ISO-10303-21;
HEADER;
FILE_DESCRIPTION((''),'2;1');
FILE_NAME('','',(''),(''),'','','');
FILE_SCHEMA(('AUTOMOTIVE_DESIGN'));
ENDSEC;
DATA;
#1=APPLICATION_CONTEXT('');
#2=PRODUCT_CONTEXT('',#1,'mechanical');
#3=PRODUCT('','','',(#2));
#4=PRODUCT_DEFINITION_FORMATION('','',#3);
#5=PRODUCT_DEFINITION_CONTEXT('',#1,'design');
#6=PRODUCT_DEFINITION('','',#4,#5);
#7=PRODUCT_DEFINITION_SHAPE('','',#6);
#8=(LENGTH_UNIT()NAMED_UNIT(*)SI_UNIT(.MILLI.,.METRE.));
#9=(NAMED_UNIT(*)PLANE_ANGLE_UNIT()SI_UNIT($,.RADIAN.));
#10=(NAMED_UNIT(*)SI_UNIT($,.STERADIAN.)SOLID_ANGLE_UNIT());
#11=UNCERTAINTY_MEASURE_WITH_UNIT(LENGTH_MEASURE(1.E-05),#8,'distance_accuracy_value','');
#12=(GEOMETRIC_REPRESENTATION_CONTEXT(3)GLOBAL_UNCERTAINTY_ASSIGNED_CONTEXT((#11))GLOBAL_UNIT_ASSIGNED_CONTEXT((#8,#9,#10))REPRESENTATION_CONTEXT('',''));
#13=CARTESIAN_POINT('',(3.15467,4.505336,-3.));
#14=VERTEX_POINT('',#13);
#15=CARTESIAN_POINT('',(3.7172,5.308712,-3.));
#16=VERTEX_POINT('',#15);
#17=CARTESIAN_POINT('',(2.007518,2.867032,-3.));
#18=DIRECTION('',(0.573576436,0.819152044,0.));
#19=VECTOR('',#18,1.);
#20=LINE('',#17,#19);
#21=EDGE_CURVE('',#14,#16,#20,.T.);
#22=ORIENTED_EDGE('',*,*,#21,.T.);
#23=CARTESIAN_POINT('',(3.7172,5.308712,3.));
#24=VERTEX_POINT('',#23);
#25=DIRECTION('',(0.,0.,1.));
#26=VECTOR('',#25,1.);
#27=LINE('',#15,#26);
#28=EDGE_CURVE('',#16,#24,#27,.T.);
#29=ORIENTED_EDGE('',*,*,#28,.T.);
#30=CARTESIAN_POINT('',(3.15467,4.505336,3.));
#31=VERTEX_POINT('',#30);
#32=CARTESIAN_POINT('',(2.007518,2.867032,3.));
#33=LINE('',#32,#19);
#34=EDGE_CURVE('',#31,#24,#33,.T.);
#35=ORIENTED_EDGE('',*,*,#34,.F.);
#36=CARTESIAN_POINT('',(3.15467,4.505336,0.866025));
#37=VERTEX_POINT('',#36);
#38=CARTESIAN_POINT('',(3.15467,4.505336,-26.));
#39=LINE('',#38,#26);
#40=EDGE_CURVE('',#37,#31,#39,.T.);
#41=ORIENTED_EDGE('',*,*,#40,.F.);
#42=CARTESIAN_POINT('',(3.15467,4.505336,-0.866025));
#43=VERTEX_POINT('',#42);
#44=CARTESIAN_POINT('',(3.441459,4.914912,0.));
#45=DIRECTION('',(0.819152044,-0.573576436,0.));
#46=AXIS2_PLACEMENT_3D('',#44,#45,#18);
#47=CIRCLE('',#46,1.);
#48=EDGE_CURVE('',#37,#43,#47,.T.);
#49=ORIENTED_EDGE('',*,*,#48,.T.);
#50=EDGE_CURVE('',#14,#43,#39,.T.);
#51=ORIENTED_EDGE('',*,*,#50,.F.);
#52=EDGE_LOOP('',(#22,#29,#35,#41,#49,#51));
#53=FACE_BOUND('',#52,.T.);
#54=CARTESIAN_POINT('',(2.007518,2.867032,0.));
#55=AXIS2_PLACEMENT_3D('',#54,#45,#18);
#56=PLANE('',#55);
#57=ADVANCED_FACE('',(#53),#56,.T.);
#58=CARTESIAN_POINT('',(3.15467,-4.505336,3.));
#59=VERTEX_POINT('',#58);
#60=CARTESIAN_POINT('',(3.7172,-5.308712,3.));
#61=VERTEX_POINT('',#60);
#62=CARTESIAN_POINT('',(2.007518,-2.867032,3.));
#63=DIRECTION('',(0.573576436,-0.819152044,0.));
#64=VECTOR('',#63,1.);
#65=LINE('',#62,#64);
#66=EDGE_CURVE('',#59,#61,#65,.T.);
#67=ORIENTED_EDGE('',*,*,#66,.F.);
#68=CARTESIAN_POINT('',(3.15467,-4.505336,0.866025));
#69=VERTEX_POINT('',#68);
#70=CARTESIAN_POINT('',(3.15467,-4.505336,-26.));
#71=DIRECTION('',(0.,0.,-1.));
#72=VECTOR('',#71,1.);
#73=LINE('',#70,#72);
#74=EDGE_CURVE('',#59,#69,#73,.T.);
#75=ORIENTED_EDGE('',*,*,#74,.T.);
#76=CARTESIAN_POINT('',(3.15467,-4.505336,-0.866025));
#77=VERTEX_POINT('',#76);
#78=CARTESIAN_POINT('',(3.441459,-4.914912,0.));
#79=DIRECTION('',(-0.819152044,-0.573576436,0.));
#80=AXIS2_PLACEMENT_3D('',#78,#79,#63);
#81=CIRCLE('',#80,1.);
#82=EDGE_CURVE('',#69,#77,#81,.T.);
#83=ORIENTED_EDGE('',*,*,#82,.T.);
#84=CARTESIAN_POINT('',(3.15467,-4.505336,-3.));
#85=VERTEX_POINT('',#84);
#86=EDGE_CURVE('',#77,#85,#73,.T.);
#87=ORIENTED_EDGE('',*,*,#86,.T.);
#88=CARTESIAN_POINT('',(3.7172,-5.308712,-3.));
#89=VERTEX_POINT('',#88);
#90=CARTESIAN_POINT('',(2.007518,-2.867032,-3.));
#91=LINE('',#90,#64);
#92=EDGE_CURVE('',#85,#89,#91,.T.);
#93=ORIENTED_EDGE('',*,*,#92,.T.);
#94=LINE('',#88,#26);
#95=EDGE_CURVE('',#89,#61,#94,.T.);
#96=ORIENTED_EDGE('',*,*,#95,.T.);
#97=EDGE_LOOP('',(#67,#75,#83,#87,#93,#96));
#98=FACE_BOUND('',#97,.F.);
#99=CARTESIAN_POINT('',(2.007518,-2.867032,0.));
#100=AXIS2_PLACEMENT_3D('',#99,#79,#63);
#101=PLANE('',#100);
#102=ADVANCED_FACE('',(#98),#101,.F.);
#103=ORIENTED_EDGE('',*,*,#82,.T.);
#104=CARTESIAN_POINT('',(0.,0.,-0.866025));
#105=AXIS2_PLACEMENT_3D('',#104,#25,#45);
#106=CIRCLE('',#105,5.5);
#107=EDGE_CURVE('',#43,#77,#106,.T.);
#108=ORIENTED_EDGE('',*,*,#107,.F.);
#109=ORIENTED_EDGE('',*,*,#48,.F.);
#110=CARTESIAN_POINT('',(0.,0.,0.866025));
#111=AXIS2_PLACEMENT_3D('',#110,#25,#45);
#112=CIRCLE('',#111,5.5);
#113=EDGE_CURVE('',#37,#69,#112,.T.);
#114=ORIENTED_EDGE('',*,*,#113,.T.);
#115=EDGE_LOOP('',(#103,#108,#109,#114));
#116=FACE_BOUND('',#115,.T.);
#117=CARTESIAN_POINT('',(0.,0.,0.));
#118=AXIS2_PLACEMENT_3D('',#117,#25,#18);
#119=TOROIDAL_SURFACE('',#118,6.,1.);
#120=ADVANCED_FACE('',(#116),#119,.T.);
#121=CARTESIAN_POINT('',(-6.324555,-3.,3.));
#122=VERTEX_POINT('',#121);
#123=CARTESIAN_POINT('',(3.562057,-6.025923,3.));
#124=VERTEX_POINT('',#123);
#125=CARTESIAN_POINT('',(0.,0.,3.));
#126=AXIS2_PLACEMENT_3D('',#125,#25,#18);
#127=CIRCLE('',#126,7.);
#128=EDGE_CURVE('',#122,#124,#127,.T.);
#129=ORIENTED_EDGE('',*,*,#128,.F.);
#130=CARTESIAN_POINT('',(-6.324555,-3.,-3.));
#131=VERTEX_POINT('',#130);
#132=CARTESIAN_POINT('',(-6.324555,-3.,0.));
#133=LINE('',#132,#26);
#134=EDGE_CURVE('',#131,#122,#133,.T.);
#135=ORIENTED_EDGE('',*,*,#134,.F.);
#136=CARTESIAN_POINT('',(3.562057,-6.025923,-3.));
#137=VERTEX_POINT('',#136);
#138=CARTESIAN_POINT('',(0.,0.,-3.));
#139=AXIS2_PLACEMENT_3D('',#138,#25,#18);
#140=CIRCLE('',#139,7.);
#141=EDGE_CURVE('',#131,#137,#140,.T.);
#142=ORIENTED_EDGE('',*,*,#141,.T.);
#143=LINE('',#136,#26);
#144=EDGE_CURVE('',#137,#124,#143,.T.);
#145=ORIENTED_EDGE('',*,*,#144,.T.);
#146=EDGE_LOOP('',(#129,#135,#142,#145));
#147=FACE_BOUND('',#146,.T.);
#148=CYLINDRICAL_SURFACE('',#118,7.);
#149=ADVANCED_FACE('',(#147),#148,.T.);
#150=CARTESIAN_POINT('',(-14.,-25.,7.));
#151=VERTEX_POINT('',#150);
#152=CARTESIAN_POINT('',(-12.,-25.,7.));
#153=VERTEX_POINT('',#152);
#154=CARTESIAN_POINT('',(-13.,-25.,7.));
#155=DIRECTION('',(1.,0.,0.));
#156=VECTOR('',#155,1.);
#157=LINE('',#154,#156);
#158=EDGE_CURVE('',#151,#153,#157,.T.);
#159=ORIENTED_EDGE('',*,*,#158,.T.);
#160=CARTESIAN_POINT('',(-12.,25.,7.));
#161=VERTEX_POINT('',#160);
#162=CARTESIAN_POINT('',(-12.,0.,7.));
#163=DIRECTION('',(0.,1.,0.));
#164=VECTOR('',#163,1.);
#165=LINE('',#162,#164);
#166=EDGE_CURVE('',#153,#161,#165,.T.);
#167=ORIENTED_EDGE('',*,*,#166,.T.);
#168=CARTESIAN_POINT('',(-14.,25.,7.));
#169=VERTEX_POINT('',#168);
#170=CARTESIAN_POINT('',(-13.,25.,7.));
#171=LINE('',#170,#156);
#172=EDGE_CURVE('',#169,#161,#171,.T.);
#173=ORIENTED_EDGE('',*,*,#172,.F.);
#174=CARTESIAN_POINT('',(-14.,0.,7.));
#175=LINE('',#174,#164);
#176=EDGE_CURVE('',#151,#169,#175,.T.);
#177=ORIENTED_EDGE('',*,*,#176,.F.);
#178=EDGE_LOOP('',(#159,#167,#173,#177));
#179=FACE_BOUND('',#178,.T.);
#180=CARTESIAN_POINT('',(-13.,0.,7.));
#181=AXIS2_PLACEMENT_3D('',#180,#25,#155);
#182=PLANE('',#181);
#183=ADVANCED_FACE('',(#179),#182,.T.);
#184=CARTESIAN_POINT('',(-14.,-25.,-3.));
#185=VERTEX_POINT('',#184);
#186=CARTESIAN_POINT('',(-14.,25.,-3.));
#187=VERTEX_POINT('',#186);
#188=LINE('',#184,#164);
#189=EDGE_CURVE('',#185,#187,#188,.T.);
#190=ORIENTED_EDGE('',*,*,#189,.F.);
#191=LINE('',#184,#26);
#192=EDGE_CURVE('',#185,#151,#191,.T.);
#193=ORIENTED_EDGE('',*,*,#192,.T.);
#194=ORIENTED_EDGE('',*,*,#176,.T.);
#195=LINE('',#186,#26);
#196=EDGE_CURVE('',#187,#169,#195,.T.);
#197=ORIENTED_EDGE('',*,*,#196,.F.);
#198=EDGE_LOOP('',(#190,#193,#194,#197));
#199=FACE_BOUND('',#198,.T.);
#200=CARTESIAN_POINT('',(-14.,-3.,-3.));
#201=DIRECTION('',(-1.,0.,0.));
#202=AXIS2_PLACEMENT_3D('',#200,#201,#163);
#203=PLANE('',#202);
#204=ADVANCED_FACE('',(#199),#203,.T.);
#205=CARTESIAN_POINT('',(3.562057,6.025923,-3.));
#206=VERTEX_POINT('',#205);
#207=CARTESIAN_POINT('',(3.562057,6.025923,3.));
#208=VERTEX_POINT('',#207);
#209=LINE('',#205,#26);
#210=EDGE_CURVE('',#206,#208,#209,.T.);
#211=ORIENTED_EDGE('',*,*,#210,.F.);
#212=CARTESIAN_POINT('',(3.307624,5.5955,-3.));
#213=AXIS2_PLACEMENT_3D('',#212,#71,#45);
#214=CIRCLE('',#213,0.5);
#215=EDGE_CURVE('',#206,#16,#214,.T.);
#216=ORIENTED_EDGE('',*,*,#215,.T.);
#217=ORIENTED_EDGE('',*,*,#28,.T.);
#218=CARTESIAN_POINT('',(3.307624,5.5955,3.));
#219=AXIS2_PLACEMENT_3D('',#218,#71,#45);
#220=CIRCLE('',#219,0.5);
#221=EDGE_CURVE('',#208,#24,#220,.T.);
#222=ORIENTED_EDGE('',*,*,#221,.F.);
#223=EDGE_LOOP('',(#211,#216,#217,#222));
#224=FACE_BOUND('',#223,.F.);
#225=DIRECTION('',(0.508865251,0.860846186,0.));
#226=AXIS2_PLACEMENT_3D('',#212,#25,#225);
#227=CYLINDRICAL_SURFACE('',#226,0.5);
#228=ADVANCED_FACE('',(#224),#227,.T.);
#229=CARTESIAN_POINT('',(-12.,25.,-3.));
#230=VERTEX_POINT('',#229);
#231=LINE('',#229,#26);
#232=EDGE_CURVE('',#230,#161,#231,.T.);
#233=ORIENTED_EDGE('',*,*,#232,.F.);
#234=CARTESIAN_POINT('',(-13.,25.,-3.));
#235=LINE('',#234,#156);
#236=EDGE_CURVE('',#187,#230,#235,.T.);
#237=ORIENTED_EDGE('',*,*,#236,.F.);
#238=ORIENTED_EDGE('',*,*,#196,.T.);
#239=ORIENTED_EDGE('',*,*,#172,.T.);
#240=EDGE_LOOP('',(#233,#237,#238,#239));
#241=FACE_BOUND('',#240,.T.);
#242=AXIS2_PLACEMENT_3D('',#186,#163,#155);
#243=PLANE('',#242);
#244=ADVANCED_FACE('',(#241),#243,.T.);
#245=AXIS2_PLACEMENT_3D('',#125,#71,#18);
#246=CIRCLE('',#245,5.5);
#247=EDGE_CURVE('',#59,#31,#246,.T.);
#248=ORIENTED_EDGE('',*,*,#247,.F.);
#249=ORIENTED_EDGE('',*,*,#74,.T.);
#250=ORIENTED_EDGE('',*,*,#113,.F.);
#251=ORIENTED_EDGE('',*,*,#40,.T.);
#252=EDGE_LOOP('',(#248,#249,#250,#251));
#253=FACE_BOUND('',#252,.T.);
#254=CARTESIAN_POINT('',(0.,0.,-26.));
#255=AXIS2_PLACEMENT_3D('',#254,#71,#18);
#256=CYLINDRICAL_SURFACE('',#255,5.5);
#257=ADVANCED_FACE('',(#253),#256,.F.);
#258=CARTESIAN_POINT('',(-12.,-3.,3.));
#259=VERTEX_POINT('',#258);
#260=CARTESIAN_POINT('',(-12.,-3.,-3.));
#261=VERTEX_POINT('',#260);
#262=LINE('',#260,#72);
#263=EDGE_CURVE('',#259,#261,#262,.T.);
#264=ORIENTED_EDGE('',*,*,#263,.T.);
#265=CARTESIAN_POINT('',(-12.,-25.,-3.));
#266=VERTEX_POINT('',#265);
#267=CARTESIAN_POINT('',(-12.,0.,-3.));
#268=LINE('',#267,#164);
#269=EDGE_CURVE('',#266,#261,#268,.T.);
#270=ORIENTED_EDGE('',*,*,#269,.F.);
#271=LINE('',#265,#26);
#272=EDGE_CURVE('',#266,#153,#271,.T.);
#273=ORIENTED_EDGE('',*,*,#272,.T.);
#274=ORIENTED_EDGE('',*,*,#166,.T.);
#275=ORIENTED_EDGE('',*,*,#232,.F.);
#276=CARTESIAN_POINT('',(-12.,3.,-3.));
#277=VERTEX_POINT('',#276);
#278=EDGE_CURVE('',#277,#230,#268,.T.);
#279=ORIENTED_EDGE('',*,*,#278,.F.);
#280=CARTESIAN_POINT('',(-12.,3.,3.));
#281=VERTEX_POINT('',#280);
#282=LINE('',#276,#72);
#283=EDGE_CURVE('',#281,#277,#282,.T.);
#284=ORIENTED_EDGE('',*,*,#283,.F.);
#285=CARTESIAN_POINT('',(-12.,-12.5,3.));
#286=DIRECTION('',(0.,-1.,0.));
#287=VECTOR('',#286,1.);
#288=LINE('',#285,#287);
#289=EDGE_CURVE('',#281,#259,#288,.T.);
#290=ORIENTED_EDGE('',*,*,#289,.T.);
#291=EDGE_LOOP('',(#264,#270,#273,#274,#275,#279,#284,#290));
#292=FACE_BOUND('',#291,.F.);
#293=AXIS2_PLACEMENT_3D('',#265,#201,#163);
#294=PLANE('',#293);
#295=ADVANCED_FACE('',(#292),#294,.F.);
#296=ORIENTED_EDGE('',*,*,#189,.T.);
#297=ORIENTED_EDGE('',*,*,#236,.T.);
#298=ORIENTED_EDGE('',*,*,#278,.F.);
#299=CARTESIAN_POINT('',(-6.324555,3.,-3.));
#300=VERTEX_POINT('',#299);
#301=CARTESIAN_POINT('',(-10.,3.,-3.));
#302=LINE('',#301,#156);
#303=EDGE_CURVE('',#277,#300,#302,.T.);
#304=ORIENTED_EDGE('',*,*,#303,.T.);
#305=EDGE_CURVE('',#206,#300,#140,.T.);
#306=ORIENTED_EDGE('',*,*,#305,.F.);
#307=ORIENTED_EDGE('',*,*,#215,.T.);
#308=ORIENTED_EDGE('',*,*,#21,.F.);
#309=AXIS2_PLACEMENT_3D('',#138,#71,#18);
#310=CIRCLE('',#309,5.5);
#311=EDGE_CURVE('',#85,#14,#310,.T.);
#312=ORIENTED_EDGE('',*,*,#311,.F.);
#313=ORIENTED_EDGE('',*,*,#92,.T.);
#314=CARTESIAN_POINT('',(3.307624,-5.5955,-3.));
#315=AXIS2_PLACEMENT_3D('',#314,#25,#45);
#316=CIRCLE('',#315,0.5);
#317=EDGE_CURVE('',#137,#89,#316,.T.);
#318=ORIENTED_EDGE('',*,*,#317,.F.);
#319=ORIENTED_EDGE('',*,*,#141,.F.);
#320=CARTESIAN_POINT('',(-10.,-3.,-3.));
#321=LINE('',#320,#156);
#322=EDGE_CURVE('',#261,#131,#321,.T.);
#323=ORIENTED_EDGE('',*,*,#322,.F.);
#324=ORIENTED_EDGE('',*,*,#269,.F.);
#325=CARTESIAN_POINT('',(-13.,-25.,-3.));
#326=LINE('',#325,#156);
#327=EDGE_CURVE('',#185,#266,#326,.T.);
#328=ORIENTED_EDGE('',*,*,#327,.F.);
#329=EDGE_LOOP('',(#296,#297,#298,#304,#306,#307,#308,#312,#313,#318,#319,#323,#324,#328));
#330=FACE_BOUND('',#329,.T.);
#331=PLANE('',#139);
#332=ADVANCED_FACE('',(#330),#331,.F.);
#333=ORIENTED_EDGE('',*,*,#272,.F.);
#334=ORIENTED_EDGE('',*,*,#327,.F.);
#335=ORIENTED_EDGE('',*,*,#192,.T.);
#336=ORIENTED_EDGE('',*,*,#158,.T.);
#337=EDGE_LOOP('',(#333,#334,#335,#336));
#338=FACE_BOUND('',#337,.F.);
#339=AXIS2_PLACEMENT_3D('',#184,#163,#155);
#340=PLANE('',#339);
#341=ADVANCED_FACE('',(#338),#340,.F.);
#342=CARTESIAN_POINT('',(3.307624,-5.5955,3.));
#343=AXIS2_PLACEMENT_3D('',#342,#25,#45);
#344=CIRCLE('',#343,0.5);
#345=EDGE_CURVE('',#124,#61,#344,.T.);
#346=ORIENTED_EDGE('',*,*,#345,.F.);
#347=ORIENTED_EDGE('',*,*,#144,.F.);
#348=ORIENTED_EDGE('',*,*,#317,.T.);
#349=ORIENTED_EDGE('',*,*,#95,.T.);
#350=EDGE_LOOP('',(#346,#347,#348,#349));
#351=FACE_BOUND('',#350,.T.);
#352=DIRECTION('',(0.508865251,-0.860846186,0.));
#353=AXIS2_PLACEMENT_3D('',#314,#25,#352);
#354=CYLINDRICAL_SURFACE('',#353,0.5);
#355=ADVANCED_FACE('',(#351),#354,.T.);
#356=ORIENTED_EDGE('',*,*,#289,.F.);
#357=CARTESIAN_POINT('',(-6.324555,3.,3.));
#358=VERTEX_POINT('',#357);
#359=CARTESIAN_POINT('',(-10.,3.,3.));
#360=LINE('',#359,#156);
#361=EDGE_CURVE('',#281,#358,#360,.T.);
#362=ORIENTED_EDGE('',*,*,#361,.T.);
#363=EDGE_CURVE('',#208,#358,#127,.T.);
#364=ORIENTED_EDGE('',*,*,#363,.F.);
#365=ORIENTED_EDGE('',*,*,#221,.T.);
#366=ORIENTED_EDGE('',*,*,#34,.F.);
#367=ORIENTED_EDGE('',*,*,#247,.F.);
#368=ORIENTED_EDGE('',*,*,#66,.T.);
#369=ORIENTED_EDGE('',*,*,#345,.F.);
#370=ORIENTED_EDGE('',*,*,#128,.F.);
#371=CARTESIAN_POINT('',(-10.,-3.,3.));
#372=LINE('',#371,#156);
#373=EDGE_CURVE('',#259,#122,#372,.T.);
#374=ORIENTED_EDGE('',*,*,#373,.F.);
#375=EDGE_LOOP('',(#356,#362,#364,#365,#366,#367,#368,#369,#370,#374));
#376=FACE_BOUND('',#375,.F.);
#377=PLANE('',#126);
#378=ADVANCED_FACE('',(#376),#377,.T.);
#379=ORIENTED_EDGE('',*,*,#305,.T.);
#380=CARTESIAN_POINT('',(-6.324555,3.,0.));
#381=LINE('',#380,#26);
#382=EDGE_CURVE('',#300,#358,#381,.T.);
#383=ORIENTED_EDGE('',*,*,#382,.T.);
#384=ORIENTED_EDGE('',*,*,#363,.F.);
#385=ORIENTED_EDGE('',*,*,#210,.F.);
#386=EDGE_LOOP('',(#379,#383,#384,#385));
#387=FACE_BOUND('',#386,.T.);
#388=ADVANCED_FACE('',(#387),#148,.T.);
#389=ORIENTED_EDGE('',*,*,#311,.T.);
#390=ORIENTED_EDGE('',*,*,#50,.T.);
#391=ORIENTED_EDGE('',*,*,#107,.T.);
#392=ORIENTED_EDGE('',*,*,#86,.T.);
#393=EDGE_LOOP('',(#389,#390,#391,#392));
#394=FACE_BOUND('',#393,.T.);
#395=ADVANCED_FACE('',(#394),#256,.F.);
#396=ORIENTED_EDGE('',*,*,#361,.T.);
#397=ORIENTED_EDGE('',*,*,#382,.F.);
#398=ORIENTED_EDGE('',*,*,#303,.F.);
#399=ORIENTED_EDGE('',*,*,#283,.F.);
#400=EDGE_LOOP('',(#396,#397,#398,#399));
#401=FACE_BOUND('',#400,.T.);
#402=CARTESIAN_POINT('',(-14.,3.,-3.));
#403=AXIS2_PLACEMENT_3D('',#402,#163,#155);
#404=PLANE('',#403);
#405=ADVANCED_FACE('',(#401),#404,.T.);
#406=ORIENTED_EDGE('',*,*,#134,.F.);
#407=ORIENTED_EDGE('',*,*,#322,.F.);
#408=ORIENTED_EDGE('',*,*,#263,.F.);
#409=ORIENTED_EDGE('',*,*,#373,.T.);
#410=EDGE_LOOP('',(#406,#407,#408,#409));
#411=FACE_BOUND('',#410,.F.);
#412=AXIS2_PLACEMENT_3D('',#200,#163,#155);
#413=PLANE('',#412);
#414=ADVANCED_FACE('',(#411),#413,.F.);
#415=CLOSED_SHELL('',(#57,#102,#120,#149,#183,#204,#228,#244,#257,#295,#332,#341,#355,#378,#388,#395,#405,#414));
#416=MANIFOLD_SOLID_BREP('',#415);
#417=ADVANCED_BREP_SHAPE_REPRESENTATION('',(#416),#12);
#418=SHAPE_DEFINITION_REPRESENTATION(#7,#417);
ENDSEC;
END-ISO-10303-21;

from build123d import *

# Parameters (mm, degrees)
TORUS_R                = 1
CYLINDER_R             = 5.5
CYLINDER_DEPTH         = 36
FILLET_R               = 4
CYLINDER002_W          = 7
CYLINDER002_H          = 6
CYLINDER002_ANGLE      = 250
FILLET001_R            = 0.5
CUT001_PLACEMENT_ANGLE = 55
BOX_W                  = 8
BOX_H                  = 6
BOX_DEPTH              = 6
BOX001_W               = 2
BOX001_H               = 50
BOX001_DEPTH           = 10


with BuildPart() as toro:
    # Torus → Torus (revolve)
    with BuildSketch(Plane(origin=(0, 0, 26), x_dir=(1, 0, 0), z_dir=(0, -1, 0))):
        with Locations((6, 0)):
            Circle(TORUS_R)
    revolve(axis=Axis((0, 0, 26), (0, 0, 1)))


with BuildPart() as led:
    # Cylinder → Cylinder (new body)
    with BuildSketch(Plane.XY):
        Circle(CYLINDER_R)
    extrude(amount=CYLINDER_DEPTH)

    # Fillet
    fillet_edges = [led.edges().sort_by_distance(p)[0] for p in [
        (-5.5, 0, 36),
    ]]
    fillet(fillet_edges, radius=FILLET_R)

    # Cut: cut Toro
    add(toro.part, mode=Mode.SUBTRACT)


with BuildPart() as anilla:
    # Cylinder002 → Cylinder002 (revolve)
    with BuildSketch(Plane(origin=(0, 0, 4), x_dir=(1, 0, 0), z_dir=(0, -1, 0))):
        with Locations((3.5, 3)):
            Rectangle(CYLINDER002_W, CYLINDER002_H)
    revolve(axis=Axis((0, 0, 4), (0, 0, 1)), revolution_arc=CYLINDER002_ANGLE)

    # Fillet001
    fillet001_edges = [anilla.edges().sort_by_distance(p)[0] for p in [
        (-2.394141, -6.577848, 7),
        (7, 0, 7),
    ]]
    fillet(fillet001_edges, radius=FILLET001_R)


with BuildPart() as anilla_1:
    # Fillet001 placement: moved
    add(anilla.part.moved(Location((0, 0, 19))))

    # Cut001: cut led
    add(led.part, mode=Mode.SUBTRACT)


with BuildPart() as anilla_2:
    # Cut001 placement: moved
    add(anilla_1.part.moved(Location((0, 0, -26))).rotate(Axis((0, 0, -26), (0, 0, 1)), CUT001_PLACEMENT_ANGLE))


with BuildPart() as fusion:
    # Box → Box (new body)
    with BuildSketch(Plane(origin=(-14, -3, -3), x_dir=(1, 0, 0), z_dir=(0, 0, 1))):
        with Locations((4, 3)):
            Rectangle(BOX_W, BOX_H)
    extrude(amount=BOX_DEPTH)

    # Fusion: union anilla
    add(anilla_2.part)


with BuildPart() as clone_of_eslabon:
    # Box001 → Box001 (new body)
    with BuildSketch(Plane(origin=(-14, -25, -3), x_dir=(1, 0, 0), z_dir=(0, 0, 1))):
        with Locations((1, 25)):
            Rectangle(BOX001_W, BOX001_H)
    extrude(amount=BOX001_DEPTH)

    # Fusion001: union Fusion
    add(fusion.part)


solid = clone_of_eslabon.part
